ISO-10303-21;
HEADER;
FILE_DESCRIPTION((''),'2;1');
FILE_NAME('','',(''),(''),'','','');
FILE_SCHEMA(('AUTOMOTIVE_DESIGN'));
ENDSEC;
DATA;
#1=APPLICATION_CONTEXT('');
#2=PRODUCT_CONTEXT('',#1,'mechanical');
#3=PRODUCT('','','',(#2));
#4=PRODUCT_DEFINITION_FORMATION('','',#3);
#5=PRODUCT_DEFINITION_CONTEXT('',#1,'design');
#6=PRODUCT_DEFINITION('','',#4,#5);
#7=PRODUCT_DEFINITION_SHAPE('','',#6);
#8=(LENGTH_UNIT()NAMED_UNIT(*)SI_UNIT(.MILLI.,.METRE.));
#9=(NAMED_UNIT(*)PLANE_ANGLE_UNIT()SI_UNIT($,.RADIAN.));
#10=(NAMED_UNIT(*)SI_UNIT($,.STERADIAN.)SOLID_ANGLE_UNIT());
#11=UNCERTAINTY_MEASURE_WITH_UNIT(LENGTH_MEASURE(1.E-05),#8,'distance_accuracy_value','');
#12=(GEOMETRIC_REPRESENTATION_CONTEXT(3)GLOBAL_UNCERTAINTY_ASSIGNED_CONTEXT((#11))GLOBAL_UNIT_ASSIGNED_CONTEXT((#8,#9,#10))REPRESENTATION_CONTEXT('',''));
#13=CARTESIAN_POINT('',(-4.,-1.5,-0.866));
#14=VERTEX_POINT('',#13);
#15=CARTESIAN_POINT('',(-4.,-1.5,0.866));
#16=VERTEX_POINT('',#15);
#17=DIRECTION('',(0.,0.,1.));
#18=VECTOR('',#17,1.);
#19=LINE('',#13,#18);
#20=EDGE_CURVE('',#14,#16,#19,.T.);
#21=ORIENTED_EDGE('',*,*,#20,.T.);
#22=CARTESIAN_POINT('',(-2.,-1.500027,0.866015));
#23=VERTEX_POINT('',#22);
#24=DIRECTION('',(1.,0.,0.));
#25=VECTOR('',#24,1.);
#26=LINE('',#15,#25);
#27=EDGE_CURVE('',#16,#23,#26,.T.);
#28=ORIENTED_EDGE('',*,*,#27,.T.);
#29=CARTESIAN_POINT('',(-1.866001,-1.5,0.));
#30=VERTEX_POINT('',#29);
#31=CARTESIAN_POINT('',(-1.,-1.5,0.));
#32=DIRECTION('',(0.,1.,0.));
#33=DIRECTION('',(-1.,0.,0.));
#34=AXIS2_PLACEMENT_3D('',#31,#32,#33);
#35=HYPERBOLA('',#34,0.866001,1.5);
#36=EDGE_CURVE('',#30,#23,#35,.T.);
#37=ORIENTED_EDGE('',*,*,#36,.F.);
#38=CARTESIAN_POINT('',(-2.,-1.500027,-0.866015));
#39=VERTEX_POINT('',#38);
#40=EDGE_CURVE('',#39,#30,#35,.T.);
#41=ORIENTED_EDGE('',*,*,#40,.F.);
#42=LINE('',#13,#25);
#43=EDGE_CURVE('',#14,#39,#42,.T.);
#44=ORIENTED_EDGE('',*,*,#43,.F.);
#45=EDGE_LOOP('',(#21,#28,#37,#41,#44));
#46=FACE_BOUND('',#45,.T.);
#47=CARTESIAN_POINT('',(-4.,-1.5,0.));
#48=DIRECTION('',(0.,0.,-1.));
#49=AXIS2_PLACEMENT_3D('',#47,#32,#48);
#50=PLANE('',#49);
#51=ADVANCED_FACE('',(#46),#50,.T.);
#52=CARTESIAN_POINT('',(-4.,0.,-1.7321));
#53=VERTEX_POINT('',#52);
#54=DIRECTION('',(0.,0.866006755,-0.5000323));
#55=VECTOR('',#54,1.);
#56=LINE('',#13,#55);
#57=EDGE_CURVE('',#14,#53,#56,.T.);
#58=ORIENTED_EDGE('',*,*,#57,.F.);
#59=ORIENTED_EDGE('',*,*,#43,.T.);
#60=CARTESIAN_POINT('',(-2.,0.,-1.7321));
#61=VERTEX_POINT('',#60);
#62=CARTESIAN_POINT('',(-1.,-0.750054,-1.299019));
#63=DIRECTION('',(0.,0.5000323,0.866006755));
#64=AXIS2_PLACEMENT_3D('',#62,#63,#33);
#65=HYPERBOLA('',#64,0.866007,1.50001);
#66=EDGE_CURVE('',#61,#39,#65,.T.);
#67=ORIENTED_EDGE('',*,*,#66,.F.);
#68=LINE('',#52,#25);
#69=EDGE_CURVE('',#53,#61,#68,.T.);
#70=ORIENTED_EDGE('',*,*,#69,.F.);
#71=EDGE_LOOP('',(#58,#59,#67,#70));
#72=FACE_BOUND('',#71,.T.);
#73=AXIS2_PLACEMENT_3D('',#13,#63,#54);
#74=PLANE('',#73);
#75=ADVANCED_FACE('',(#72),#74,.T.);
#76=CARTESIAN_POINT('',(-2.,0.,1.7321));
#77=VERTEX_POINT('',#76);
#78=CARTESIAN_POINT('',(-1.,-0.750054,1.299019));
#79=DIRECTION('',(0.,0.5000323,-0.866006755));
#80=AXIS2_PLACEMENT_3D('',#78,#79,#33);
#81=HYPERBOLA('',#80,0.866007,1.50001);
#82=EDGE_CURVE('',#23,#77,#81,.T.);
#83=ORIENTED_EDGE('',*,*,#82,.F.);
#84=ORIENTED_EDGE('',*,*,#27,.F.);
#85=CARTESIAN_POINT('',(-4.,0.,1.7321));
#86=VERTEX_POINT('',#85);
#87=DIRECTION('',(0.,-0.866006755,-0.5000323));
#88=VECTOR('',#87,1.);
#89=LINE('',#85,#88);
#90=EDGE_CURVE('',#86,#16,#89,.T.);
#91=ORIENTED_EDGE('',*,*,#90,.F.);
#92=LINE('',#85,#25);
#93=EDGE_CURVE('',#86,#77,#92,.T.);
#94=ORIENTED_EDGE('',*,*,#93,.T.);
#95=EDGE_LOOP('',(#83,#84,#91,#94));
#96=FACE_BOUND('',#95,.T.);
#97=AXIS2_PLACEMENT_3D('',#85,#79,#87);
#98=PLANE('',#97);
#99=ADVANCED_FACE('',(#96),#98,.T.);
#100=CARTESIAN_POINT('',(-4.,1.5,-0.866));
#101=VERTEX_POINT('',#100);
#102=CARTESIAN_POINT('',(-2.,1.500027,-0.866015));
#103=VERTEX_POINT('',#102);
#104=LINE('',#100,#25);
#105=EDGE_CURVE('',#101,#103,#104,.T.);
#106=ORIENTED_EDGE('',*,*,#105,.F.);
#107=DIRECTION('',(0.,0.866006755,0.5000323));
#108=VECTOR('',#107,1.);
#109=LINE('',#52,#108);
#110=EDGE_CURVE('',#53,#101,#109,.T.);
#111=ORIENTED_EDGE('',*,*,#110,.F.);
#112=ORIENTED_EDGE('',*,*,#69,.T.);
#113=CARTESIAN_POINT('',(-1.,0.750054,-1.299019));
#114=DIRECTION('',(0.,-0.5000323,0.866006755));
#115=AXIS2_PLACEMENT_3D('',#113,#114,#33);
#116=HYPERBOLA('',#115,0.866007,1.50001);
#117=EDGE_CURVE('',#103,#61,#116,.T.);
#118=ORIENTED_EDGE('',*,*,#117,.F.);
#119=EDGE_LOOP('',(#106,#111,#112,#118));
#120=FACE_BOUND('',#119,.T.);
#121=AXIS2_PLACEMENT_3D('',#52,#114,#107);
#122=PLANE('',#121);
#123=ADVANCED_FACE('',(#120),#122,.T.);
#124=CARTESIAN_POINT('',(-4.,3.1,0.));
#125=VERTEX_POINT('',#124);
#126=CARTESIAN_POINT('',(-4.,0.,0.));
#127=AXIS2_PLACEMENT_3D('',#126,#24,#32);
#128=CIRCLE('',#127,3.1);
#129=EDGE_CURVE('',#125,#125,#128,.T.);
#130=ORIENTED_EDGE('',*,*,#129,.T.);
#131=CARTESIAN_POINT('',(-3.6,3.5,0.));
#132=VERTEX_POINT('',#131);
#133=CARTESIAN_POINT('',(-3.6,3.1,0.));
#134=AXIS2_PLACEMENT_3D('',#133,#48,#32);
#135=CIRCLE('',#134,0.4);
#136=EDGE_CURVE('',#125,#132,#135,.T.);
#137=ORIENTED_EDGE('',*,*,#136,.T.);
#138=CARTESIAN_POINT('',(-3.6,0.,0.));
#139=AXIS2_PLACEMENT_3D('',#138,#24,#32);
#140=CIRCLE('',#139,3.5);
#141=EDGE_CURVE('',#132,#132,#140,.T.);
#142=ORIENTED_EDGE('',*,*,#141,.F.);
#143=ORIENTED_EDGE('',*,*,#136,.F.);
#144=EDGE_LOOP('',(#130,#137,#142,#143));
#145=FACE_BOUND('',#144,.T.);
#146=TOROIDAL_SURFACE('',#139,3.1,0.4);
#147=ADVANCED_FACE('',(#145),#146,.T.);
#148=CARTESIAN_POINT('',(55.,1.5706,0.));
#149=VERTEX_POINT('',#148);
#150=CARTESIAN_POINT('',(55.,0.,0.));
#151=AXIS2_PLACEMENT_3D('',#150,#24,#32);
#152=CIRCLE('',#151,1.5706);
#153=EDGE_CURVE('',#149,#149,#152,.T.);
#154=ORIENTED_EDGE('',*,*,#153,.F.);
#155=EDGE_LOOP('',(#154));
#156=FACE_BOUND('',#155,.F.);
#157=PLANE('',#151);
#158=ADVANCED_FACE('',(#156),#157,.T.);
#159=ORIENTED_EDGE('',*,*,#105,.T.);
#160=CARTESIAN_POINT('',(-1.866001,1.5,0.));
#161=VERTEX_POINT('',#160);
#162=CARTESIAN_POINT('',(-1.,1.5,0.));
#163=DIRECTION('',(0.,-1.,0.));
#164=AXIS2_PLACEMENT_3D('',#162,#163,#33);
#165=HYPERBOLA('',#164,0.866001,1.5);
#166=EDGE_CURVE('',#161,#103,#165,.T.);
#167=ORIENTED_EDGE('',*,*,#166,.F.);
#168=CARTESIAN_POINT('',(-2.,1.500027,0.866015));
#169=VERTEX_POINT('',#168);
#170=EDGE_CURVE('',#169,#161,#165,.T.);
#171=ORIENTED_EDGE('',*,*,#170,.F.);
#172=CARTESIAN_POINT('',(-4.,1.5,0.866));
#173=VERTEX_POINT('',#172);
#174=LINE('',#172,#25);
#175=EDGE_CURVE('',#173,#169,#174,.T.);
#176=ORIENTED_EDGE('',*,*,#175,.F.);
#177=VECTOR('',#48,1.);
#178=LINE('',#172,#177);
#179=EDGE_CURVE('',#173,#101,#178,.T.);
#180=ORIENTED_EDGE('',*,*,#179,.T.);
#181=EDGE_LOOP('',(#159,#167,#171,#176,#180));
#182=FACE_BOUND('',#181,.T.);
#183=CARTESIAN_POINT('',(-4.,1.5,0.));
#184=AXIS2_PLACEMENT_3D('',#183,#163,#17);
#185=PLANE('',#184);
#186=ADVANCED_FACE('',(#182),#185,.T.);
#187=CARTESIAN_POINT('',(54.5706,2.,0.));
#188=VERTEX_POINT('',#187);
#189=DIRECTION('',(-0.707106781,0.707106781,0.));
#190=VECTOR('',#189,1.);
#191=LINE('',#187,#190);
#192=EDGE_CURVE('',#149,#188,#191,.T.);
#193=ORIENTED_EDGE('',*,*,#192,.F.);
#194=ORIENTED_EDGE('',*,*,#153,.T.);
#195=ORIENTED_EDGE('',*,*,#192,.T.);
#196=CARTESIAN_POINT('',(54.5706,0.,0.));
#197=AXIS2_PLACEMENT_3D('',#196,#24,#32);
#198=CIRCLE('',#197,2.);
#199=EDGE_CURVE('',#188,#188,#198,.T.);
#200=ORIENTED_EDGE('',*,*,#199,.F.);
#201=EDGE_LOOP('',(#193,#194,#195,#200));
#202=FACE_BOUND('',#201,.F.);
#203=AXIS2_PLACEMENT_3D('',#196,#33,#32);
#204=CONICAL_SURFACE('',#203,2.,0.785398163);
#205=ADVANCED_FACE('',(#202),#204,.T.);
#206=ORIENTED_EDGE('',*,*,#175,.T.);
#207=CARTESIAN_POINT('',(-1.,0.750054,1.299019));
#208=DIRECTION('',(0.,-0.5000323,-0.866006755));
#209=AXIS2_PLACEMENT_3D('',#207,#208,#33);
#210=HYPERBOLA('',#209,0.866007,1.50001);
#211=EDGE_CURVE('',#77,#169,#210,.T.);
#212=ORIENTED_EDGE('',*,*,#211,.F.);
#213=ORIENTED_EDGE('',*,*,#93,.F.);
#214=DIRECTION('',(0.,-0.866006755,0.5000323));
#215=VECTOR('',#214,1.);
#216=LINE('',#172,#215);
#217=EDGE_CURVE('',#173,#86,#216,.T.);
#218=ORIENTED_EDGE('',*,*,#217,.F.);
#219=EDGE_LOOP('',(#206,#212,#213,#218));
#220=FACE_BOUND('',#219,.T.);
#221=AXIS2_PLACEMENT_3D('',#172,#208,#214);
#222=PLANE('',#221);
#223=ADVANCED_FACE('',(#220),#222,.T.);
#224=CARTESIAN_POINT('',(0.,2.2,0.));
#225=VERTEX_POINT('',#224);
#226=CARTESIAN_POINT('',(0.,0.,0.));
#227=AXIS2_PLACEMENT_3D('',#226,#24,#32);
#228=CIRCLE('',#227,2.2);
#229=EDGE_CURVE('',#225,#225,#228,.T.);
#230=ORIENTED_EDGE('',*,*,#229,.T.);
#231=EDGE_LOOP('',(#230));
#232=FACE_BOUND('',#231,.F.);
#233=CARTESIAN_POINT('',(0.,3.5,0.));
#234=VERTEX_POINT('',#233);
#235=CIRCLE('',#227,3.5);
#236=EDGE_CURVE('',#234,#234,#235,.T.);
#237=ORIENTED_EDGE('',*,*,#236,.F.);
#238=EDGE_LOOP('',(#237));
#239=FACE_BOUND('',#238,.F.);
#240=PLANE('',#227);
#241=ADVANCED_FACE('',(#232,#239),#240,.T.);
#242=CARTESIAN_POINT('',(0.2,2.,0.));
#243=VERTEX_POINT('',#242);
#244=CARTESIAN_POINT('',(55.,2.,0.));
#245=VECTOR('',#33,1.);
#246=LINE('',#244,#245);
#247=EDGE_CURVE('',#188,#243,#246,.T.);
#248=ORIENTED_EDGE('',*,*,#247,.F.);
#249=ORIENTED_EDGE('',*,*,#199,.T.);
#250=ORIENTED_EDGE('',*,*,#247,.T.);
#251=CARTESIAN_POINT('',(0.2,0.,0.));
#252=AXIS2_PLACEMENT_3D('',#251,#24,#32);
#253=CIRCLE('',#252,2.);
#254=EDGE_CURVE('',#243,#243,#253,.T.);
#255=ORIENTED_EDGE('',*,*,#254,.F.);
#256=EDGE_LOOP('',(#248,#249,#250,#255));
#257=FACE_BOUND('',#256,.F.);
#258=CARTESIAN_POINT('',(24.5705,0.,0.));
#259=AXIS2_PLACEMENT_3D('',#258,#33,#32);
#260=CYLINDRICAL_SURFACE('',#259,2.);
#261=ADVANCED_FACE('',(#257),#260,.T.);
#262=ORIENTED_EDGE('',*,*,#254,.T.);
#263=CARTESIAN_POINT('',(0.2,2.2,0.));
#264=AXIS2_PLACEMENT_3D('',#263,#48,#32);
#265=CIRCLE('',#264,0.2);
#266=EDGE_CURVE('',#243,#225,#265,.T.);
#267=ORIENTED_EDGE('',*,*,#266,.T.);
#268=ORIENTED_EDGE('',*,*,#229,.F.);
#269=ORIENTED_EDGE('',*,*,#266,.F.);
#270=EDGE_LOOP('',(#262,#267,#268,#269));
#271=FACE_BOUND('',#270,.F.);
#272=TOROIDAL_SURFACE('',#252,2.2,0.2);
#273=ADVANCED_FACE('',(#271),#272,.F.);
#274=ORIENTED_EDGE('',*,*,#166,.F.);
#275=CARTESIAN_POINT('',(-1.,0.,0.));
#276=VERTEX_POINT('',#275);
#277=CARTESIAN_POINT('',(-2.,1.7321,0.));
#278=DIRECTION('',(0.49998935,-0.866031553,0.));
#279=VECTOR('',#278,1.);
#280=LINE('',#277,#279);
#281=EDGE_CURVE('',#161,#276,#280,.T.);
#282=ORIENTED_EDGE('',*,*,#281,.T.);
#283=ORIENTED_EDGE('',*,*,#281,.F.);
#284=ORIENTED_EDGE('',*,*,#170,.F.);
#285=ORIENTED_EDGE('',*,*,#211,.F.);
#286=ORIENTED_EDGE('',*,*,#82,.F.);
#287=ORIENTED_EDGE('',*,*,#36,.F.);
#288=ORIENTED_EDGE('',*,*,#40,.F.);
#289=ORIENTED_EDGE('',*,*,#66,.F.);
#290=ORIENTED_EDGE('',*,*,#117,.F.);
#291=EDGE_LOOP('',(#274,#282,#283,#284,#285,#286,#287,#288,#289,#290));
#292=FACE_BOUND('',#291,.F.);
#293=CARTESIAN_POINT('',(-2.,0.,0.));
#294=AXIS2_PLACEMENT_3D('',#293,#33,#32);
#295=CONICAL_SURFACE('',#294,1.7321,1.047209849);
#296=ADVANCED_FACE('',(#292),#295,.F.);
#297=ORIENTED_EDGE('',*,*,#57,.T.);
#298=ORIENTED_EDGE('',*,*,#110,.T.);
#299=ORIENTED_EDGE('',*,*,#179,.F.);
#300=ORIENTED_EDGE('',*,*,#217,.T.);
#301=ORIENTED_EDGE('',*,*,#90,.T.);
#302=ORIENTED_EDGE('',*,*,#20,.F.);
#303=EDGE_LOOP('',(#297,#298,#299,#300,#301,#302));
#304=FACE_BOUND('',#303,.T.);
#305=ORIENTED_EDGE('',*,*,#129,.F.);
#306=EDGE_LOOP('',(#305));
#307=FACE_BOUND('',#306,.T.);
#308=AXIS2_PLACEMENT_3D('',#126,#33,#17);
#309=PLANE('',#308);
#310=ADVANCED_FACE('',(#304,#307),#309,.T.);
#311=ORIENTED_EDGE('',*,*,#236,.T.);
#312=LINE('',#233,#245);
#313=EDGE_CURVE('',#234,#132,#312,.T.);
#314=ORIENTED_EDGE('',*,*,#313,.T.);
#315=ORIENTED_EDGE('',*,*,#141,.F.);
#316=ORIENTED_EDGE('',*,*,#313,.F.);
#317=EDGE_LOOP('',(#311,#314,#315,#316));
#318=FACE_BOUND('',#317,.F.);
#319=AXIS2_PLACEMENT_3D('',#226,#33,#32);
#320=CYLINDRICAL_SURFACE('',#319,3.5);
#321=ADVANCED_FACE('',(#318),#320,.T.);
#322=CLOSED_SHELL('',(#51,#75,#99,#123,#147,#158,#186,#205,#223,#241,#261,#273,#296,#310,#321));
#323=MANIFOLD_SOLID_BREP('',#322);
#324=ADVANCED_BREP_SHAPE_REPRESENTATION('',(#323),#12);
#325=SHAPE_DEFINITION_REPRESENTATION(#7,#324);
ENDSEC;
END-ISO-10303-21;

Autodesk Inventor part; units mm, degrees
ref_plane "YZ Plane" through (0, 0, 0) normal (1, 0, 0) x (0, 1, 0)
ref_plane "XZ Plane" through (0, 0, 0) normal (0, 1, 0) x (-1, 0, 0)
sketch "Skizze1" plane through (0, 0, 0) normal (0, 0, 1) x (1, 0, 0)
  line L0 (-1, 0) -> (55, 0)
  line L1 (55, 0) -> (55, 2)
  line L2 (55, 2) -> (25, 2)
  line L3 (25, 2) -> (24.5705, 2)
  line L4 (24.5705, 2) -> (0, 2)
  line L5 (0, 2) -> (0, 3.5)
  line L6 (0, 3.5) -> (-4, 3.5)
  line L7 (-4, 3.5) -> (-4, 1.7321)
  line L8 (-4, 1.7321) -> (-2, 1.7321)
  line L9 (-2, 1.7321) -> (-1, 0)
  line L10 (-14.8, 0) -> (60.8, 0) projected
  line L11 (0, -0.7) -> (0, 4.2) projected
  line L12 (25, 2) -> (0, 2) construction
  dimension "d1" = 30
  dimension "d2" = 0.4295
  dimension "d3" = 4
  dimension "d4" = 2
  dimension "d5" = 60
  dimension "d6" = 4
  dimension "d7" = 4
  dimension "d8" = 3.4641
  dimension "d9" = 7
  dimension "d26" = 55
revolve "Körper" add sketch "Skizze1" angle 360 about axis through (-1, 0, 0) along (1, 0, 0)
sketch "Skizze2" plane through (-4, 0, 0) normal (-1, 0, 0) x (0, 0, 1)
  circle A0 centre (0, 0) radius 1.7321 projected
  line L0 (0, -4.9) -> (0, 4.9) projected
  line L1 (-4.9, 0) -> (4.9, 0) projected
  line L2 (1.7321, 0) -> (0.866, -1.5)
  line L3 (0.866, -1.5) -> (-0.866, -1.5)
  line L4 (-0.866, -1.5) -> (-1.7321, 0)
  line L5 (-1.7321, 0) -> (-0.866, 1.5)
  line L6 (-0.866, 1.5) -> (0.866, 1.5)
  line L7 (0.866, 1.5) -> (1.7321, 0)
extrude "Loch" add sketch "Skizze2" against normal up to next contours L7 A0 | A0 L2 | L6 L0 A0 | A0 L0 L3 | L0 L6 A0 | A0 L3 L0 | L4 A0 | A0 L5
fillet "Rundung1" radius 0.4 1 edges at (-4, -3.5, 0)
thread "Gewinde" size "M4x0.7" class "6g" standard "ISO Metric profile" length 30
chamfer "Fase1" distance 0.4294 distance2 0.4294 1 edges at (55, -2, 0) measured on face at (55, -0.3567, 0.5168)
ref_plane "Work Plane1" through (29, 0, 0) normal (0, -1, 0) x (1, 0, 0)
fillet "Fillet2" radius 0.2 1 edges at (0, -2, 0)
equation "\"d1\" = GEL"
equation "\"d3\" = KOH"
equation "\"d4\" = INTI"
equation "\"d6\" = GD"
equation "\"d7\" = BDM"
equation "\"d8\" = 1.1547 * SW"
equation "\"d9\" = KOD"
equation "\"d26\" = NLG"
equation "\"d30\" = R"
equation "\"d17\" = RR"
equation "\"d13\" = GEL"
equation "\"d15\" = -0.5 * SPD + 0.5 * GD"
equation "\"d16\" = GUL"
equation "\"GD\" = NND"
equation "\"NLG\" = 55"
equation "\"GEL\" = 30"
equation "\"KOD\" = 7"
equation "\"KOH\" = 4"
equation "\"INTI\" = 2"
equation "\"GAL\" = 0.61345 * PTC"
equation "\"GUL\" = 0.61345 * PTC"
equation "\"BDM\" = NND"
equation "\"SW\" = 3"
equation "\"RR\" = 0.4"
equation "\"SPD\" = NND - 1.2269 * PTC"
equation "\"R\" = 0.2"
equation "\"TOA\" = 30deg"
equation "\"GD1\" = THREADDIA - 1.2269 * PTC"
equation "\"THREADDIA\" = 4"
equation "\"FAWI\" = 45deg"
equation "\"ANG\" = 120deg"
equation "\"PTC\" = 0.7"
equation "\"NND\" = 4"
equation "\"E0\" = 1.155 * SW"
properties part number "DIN 912 - M4 x 55" material "Stahl, weich"
